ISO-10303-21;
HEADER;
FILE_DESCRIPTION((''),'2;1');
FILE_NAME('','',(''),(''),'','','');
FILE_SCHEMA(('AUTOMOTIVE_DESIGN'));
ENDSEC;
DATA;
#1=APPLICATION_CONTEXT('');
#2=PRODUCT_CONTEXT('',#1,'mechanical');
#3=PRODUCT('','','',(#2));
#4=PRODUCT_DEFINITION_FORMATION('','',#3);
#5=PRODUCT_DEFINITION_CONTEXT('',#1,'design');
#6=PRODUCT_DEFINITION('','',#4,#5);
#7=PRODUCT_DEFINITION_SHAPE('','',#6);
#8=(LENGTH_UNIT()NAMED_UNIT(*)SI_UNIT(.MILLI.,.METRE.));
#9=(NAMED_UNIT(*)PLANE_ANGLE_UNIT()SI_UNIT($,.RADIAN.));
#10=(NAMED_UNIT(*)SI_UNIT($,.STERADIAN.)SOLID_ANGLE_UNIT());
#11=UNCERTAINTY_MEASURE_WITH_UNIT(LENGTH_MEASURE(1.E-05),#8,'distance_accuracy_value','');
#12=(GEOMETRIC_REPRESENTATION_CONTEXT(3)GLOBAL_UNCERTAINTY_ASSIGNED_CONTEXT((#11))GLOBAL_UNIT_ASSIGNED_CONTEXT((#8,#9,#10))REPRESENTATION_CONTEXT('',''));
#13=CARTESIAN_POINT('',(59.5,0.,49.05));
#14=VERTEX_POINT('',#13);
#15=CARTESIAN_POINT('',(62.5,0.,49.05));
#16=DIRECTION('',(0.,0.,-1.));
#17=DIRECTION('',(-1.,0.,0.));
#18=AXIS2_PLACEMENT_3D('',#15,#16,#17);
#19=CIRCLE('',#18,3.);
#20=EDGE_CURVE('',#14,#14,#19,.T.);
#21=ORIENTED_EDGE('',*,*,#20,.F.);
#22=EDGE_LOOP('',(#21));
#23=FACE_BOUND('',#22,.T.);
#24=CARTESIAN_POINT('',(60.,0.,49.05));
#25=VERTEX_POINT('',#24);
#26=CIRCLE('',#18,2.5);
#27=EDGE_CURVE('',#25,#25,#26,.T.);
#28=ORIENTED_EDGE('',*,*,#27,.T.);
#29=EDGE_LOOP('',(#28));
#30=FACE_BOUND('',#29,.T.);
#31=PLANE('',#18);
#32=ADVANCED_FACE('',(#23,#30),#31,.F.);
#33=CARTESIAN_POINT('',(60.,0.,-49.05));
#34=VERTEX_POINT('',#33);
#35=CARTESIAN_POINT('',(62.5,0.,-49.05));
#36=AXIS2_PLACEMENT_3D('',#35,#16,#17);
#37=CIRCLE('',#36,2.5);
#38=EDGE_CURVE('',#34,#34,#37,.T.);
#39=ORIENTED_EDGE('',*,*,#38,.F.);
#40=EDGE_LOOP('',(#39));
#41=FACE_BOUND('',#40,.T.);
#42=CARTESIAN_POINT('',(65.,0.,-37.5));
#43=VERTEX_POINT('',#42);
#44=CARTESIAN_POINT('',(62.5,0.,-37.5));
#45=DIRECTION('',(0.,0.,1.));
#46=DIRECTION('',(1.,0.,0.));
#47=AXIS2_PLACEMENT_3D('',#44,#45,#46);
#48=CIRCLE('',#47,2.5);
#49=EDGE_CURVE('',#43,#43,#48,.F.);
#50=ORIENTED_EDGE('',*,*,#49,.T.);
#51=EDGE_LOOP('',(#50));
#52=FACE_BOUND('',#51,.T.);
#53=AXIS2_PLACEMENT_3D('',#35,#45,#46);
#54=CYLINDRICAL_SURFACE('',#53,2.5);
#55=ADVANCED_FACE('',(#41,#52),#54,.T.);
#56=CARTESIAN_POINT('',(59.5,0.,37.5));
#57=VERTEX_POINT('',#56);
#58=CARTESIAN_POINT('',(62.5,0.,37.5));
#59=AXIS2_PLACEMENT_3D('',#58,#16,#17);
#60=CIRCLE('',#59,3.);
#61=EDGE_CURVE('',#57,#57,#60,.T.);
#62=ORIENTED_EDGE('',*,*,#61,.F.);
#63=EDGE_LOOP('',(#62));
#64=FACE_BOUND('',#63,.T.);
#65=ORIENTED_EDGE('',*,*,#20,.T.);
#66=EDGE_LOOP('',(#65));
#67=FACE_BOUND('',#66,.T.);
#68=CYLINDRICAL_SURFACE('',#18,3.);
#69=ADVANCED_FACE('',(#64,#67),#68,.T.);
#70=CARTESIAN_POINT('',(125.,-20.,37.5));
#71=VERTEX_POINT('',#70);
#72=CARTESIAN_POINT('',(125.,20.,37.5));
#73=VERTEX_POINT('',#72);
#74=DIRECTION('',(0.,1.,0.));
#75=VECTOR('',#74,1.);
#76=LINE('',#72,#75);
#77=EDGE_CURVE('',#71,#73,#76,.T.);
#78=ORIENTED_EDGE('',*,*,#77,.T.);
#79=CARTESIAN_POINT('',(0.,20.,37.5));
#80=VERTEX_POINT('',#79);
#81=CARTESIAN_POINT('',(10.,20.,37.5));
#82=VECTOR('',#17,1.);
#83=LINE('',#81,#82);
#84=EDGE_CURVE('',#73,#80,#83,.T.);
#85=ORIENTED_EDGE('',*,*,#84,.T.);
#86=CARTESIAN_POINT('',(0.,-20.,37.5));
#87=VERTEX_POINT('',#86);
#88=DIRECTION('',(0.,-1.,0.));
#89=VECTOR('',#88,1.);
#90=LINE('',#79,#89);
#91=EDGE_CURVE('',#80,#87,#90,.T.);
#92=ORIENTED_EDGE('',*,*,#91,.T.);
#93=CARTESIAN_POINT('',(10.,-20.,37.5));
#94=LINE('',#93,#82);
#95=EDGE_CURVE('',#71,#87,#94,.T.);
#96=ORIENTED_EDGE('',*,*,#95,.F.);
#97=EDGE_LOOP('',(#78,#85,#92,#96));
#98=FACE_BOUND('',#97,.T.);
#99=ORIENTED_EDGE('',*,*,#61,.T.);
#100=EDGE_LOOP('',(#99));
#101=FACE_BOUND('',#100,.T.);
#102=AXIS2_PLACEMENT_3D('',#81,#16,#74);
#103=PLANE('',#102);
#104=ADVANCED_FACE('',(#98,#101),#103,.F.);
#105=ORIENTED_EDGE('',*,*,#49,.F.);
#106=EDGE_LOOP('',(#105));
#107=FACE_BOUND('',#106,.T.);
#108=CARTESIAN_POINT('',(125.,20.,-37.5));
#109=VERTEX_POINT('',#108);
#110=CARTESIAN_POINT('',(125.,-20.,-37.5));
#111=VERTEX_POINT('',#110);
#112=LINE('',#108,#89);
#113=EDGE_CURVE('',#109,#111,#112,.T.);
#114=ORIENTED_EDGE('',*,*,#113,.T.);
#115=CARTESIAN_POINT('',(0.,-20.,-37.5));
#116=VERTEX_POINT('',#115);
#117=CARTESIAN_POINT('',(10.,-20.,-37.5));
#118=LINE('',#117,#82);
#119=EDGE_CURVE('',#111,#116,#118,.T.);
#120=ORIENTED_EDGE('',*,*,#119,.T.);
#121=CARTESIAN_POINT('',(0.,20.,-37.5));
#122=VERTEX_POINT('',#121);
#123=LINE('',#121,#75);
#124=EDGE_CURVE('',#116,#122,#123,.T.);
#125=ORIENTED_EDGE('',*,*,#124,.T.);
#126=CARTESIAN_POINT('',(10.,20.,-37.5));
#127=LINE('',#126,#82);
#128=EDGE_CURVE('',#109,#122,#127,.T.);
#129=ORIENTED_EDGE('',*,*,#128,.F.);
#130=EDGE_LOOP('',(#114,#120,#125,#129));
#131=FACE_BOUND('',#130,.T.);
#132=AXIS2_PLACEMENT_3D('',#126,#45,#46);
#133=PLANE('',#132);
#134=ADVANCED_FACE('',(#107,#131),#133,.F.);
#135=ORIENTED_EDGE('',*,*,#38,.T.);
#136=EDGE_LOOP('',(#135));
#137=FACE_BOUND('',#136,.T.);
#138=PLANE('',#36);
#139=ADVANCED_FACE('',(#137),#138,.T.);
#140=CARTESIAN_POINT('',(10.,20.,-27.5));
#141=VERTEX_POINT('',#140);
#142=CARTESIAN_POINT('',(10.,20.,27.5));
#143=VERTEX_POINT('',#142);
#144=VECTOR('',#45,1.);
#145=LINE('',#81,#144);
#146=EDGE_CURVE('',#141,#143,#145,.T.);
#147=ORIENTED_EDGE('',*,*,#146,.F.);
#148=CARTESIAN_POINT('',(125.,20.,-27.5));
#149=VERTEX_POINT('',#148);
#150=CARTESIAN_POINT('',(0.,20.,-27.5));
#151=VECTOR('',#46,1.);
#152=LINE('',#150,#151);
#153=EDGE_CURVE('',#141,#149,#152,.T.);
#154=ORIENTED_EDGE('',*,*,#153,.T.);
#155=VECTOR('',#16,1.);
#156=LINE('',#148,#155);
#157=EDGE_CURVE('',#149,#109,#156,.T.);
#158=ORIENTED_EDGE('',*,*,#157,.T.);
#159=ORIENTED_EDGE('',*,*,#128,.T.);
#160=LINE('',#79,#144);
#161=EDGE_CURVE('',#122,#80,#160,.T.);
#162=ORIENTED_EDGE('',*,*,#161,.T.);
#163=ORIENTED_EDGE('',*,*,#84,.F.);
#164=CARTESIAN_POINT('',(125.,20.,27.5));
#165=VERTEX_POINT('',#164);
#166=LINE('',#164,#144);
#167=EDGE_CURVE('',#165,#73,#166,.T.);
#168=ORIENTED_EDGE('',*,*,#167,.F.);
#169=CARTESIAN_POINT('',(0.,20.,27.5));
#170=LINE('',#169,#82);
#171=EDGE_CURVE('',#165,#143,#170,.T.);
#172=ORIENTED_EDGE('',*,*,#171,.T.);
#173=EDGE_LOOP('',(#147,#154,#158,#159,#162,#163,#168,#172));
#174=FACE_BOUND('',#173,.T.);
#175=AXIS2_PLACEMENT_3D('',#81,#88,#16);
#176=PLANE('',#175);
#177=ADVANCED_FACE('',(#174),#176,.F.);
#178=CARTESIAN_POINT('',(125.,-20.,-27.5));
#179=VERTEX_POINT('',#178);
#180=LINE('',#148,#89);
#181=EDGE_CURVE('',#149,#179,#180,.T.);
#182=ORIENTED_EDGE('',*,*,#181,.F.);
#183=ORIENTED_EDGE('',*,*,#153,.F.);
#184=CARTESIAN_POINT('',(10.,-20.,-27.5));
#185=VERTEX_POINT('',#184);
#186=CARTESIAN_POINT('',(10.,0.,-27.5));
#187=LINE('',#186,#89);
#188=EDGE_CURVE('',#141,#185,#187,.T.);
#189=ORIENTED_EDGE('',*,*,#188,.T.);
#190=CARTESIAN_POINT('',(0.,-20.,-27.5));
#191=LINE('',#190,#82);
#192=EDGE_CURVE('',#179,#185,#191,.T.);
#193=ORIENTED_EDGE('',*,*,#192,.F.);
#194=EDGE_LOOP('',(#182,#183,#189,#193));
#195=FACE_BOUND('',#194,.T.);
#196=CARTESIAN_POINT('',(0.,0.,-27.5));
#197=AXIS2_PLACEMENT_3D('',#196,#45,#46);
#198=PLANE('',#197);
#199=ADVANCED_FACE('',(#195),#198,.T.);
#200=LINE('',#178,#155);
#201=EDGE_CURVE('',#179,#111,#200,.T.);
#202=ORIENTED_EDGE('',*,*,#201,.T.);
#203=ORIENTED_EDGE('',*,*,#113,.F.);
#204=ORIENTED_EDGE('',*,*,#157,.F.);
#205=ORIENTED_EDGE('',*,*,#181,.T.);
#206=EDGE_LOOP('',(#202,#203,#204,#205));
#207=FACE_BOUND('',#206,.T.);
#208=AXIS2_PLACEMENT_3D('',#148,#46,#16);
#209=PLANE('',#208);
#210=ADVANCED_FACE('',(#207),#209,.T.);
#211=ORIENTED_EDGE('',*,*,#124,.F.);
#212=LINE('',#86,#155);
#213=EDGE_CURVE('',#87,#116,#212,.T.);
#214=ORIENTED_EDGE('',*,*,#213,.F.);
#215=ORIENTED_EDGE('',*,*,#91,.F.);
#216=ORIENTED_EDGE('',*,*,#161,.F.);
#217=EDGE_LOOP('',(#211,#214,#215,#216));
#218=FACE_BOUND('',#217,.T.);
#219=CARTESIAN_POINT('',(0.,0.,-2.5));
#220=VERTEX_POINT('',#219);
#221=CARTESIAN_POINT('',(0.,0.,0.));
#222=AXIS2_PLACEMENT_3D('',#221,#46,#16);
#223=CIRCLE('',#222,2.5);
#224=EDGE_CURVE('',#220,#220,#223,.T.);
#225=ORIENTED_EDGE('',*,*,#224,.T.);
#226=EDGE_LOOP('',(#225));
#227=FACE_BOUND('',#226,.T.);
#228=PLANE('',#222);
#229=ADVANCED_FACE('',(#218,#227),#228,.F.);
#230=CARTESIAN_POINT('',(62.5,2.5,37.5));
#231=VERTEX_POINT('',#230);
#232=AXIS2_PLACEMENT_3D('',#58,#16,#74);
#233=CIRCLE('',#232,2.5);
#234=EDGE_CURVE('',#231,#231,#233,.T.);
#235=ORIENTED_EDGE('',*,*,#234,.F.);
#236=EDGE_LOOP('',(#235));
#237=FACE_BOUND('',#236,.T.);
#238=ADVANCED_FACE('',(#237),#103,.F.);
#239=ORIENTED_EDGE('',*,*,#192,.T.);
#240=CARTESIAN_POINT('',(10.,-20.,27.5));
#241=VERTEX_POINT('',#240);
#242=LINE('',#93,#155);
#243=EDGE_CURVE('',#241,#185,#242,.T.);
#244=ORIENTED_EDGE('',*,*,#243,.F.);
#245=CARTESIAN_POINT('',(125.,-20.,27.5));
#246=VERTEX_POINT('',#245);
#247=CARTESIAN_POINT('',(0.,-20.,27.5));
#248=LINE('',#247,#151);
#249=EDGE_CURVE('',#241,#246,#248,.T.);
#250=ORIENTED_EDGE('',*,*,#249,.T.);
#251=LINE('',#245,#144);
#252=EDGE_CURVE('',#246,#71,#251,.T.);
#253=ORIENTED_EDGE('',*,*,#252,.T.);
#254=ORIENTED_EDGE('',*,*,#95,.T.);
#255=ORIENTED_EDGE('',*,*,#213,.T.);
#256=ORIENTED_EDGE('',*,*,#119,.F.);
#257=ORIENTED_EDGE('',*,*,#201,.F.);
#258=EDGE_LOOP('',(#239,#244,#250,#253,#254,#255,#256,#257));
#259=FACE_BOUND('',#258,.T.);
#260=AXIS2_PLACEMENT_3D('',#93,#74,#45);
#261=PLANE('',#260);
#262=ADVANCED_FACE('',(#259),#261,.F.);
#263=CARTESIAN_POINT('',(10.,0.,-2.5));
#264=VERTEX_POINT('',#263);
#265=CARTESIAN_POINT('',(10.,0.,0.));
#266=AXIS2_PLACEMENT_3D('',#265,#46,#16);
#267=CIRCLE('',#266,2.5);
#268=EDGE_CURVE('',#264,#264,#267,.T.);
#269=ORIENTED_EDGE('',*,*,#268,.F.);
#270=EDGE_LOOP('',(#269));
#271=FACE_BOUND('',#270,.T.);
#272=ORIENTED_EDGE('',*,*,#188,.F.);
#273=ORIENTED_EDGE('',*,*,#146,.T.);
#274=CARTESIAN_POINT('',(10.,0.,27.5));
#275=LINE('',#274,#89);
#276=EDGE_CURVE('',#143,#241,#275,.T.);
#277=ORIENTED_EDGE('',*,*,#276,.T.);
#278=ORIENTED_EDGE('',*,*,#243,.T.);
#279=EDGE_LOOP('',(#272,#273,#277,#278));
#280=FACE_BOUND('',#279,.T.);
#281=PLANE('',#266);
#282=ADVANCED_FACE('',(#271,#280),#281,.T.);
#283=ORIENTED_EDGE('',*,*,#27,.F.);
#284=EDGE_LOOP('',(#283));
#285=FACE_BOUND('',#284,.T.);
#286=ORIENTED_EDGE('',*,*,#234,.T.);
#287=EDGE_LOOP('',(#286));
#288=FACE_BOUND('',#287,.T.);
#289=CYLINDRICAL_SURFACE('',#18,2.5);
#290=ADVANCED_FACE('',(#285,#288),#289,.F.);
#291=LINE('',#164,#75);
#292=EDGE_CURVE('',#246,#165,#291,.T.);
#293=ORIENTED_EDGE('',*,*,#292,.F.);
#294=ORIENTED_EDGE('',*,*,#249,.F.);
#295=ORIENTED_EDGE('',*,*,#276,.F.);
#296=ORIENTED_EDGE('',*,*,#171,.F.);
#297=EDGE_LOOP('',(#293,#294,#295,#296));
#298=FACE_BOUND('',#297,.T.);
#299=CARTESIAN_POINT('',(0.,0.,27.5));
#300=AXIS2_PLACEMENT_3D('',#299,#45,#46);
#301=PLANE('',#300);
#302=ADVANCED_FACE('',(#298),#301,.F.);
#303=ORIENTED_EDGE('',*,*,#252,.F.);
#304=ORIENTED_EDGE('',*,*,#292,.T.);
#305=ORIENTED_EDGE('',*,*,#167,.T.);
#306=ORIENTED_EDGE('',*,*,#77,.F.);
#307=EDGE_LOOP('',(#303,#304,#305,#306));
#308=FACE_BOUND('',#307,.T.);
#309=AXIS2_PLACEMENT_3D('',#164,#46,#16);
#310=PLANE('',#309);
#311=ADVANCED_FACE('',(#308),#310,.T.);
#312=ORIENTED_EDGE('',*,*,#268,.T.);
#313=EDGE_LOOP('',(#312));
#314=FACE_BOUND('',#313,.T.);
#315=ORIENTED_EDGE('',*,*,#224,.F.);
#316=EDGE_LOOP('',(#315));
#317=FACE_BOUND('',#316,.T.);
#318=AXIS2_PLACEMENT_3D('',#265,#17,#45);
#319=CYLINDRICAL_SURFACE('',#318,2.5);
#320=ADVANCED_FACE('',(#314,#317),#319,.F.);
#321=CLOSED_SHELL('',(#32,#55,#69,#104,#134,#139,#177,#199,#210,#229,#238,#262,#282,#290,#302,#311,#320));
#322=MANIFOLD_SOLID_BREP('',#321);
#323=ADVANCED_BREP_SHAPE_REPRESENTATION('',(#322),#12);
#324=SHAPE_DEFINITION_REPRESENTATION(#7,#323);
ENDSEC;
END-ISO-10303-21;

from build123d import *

# Parameters (mm, degrees)
SKETCH5_W            = 75
SKETCH5_H            = 40
SKETCH5_R            = 2.5
BOSS_EXTRUDE6_DEPTH  = 10
SKETCH6_W            = 125
SKETCH6_H            = 40
BOSS_EXTRUDE7_DEPTH  = 10
SKETCH7_W            = 125
SKETCH7_H            = 40
BOSS_EXTRUDE8_DEPTH  = 10
SKETCH8_R            = 2.5
BOSS_EXTRUDE9_DEPTH  = 11.55
SKETCH10_R           = 3
SKETCH10_R_2         = 2.5
BOSS_EXTRUDE10_DEPTH = 11.55


with BuildPart() as part:
    # Sketch5 → Boss-Extrude6 (new body)
    with BuildSketch(Plane(origin=(0, 0, 0), x_dir=(0, 0, -1), z_dir=(1, 0, 0))):
        Rectangle(SKETCH5_W, SKETCH5_H)
        Circle(SKETCH5_R, mode=Mode.SUBTRACT)
    extrude(amount=BOSS_EXTRUDE6_DEPTH)

    # Sketch6 → Boss-Extrude7 (add)
    with BuildSketch(Plane(origin=(0, 0, -37.5), x_dir=(-1, 0, 0), z_dir=(0, 0, -1))):
        with Locations((-62.5, 0)):
            Rectangle(SKETCH6_W, SKETCH6_H)
    extrude(amount=-BOSS_EXTRUDE7_DEPTH)

    # Sketch7 → Boss-Extrude8 (add)
    with BuildSketch(Plane.XY.offset(37.5)):
        with Locations((62.5, 0)):
            Rectangle(SKETCH7_W, SKETCH7_H)
    extrude(amount=-BOSS_EXTRUDE8_DEPTH)

    # Sketch8 → Boss-Extrude9 (add)
    with BuildSketch(Plane(origin=(0, 0, -37.5), x_dir=(-1, 0, 0), z_dir=(0, 0, -1))):
        with Locations((-62.5, 0)):
            Circle(SKETCH8_R)
    extrude(amount=BOSS_EXTRUDE9_DEPTH)

    # Sketch10 → Boss-Extrude10 (add)
    with BuildSketch(Plane(origin=(0, 0, 37.5), x_dir=(-1, 0, 0), z_dir=(0, 0, -1))):
        with Locations((-62.5, 0)):
            Circle(SKETCH10_R)
        with Locations((-62.5, 0)):
            Circle(SKETCH10_R_2, mode=Mode.SUBTRACT)
    extrude(amount=-BOSS_EXTRUDE10_DEPTH)


solid = part.part
